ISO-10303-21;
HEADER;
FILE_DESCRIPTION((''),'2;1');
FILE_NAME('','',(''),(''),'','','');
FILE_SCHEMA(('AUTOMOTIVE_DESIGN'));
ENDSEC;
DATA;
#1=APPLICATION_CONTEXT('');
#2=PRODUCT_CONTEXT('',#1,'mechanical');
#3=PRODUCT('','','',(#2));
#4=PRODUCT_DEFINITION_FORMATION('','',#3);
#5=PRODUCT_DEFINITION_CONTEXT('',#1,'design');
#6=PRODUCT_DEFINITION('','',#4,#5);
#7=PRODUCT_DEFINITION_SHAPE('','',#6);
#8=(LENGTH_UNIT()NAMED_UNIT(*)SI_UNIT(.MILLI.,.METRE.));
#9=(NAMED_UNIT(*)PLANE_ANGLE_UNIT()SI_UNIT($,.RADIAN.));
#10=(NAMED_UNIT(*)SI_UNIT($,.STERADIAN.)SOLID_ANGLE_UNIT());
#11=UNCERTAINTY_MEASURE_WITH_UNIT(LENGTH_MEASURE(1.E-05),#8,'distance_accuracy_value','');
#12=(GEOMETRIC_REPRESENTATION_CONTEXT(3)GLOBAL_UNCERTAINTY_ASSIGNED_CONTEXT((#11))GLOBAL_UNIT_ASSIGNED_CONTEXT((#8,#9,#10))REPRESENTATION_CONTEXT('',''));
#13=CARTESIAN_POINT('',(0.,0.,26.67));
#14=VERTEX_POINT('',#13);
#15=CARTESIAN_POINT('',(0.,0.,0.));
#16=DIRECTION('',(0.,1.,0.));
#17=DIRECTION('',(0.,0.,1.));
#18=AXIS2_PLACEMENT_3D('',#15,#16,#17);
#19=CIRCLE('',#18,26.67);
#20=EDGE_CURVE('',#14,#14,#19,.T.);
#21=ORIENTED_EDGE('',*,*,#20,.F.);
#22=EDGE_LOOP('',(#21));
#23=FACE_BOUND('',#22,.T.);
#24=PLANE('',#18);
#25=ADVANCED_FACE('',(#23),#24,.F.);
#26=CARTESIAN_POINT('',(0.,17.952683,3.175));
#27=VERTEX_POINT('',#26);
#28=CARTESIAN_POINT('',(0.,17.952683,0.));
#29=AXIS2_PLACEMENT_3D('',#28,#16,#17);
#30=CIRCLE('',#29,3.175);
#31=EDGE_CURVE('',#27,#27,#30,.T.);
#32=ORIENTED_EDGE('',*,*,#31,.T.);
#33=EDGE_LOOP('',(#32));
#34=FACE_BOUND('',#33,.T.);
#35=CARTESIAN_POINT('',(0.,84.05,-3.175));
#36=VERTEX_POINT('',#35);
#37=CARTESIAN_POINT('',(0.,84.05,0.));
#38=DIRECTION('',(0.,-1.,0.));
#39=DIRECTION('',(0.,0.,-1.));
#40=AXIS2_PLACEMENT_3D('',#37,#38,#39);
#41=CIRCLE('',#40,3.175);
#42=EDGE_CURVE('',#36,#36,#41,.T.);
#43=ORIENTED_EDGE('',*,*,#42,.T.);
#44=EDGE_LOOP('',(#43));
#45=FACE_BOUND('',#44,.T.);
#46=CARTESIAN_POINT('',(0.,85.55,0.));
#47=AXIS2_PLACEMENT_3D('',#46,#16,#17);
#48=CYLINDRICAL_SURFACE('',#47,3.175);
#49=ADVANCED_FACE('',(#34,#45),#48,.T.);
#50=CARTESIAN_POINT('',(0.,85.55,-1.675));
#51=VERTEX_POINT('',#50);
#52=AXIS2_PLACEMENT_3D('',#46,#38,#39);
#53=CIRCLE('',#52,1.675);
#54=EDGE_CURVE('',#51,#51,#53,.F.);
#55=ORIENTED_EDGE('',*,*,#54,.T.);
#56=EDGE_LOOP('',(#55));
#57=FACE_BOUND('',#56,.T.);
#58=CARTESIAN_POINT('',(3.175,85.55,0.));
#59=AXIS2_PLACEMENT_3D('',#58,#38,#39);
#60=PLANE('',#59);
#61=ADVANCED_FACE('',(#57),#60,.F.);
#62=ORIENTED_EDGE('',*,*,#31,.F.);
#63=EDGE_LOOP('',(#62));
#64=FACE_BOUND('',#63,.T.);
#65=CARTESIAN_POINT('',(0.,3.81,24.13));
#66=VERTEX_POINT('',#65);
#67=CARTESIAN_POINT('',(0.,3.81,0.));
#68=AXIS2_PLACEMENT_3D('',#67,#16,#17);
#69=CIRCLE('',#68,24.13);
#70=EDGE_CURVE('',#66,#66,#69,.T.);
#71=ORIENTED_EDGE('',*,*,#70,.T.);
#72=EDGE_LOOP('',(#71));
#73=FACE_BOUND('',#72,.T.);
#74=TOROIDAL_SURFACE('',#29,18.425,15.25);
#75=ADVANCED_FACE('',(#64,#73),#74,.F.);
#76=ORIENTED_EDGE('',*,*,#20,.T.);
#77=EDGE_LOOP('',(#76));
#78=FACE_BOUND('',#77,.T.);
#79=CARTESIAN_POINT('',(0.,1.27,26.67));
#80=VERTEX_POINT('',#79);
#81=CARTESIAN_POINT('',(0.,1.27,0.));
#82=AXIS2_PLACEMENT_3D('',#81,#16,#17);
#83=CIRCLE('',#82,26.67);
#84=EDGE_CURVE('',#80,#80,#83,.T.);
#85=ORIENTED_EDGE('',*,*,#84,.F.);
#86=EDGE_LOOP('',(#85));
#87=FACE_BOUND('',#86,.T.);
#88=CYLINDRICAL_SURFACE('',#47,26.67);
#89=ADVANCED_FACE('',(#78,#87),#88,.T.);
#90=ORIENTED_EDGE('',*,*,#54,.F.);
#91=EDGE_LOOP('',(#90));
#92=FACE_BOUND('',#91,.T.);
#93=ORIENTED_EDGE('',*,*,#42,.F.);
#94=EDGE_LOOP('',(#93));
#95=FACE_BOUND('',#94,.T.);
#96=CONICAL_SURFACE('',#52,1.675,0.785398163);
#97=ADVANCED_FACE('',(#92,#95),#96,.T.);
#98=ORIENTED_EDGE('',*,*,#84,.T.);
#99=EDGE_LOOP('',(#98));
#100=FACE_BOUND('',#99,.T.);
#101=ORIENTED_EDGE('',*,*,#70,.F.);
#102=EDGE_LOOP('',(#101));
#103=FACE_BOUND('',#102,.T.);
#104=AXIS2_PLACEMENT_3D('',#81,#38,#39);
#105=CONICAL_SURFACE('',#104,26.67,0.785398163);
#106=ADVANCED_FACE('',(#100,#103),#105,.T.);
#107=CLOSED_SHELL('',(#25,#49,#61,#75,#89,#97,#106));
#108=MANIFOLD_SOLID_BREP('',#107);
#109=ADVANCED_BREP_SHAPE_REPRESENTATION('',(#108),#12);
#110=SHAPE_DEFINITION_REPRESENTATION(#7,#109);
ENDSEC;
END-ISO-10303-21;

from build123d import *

# Parameters (mm, degrees)
CHAMFER1_SIZE = 1.5


with BuildPart() as part:
    # Sketch2 → Revolve1 (revolve)
    with BuildSketch(Plane.XY):
        with BuildLine():
            Line((0, 0), (26.67, 0))
            Line((26.67, 0), (26.67, 1.27))
            Line((26.67, 1.27), (24.13, 3.81))
            ThreePointArc((24.13, 3.81), (9.893843865, 5.312197185), (3.175, 17.952682737))
            Line((3.175, 17.952682737), (3.175, 85.55))
            Line((3.175, 85.55), (0, 85.55))
            Line((0, 85.55), (0, 0))
        make_face()
    revolve(axis=Axis((0, 85.55, 0), (0, -1, 0)))

    # Chamfer1
    chamfer1_edges = [part.edges().sort_by_distance(p)[0] for p in [
        (-3.175, 85.55, 0),
    ]]
    chamfer(chamfer1_edges, length=CHAMFER1_SIZE)


solid = part.part
